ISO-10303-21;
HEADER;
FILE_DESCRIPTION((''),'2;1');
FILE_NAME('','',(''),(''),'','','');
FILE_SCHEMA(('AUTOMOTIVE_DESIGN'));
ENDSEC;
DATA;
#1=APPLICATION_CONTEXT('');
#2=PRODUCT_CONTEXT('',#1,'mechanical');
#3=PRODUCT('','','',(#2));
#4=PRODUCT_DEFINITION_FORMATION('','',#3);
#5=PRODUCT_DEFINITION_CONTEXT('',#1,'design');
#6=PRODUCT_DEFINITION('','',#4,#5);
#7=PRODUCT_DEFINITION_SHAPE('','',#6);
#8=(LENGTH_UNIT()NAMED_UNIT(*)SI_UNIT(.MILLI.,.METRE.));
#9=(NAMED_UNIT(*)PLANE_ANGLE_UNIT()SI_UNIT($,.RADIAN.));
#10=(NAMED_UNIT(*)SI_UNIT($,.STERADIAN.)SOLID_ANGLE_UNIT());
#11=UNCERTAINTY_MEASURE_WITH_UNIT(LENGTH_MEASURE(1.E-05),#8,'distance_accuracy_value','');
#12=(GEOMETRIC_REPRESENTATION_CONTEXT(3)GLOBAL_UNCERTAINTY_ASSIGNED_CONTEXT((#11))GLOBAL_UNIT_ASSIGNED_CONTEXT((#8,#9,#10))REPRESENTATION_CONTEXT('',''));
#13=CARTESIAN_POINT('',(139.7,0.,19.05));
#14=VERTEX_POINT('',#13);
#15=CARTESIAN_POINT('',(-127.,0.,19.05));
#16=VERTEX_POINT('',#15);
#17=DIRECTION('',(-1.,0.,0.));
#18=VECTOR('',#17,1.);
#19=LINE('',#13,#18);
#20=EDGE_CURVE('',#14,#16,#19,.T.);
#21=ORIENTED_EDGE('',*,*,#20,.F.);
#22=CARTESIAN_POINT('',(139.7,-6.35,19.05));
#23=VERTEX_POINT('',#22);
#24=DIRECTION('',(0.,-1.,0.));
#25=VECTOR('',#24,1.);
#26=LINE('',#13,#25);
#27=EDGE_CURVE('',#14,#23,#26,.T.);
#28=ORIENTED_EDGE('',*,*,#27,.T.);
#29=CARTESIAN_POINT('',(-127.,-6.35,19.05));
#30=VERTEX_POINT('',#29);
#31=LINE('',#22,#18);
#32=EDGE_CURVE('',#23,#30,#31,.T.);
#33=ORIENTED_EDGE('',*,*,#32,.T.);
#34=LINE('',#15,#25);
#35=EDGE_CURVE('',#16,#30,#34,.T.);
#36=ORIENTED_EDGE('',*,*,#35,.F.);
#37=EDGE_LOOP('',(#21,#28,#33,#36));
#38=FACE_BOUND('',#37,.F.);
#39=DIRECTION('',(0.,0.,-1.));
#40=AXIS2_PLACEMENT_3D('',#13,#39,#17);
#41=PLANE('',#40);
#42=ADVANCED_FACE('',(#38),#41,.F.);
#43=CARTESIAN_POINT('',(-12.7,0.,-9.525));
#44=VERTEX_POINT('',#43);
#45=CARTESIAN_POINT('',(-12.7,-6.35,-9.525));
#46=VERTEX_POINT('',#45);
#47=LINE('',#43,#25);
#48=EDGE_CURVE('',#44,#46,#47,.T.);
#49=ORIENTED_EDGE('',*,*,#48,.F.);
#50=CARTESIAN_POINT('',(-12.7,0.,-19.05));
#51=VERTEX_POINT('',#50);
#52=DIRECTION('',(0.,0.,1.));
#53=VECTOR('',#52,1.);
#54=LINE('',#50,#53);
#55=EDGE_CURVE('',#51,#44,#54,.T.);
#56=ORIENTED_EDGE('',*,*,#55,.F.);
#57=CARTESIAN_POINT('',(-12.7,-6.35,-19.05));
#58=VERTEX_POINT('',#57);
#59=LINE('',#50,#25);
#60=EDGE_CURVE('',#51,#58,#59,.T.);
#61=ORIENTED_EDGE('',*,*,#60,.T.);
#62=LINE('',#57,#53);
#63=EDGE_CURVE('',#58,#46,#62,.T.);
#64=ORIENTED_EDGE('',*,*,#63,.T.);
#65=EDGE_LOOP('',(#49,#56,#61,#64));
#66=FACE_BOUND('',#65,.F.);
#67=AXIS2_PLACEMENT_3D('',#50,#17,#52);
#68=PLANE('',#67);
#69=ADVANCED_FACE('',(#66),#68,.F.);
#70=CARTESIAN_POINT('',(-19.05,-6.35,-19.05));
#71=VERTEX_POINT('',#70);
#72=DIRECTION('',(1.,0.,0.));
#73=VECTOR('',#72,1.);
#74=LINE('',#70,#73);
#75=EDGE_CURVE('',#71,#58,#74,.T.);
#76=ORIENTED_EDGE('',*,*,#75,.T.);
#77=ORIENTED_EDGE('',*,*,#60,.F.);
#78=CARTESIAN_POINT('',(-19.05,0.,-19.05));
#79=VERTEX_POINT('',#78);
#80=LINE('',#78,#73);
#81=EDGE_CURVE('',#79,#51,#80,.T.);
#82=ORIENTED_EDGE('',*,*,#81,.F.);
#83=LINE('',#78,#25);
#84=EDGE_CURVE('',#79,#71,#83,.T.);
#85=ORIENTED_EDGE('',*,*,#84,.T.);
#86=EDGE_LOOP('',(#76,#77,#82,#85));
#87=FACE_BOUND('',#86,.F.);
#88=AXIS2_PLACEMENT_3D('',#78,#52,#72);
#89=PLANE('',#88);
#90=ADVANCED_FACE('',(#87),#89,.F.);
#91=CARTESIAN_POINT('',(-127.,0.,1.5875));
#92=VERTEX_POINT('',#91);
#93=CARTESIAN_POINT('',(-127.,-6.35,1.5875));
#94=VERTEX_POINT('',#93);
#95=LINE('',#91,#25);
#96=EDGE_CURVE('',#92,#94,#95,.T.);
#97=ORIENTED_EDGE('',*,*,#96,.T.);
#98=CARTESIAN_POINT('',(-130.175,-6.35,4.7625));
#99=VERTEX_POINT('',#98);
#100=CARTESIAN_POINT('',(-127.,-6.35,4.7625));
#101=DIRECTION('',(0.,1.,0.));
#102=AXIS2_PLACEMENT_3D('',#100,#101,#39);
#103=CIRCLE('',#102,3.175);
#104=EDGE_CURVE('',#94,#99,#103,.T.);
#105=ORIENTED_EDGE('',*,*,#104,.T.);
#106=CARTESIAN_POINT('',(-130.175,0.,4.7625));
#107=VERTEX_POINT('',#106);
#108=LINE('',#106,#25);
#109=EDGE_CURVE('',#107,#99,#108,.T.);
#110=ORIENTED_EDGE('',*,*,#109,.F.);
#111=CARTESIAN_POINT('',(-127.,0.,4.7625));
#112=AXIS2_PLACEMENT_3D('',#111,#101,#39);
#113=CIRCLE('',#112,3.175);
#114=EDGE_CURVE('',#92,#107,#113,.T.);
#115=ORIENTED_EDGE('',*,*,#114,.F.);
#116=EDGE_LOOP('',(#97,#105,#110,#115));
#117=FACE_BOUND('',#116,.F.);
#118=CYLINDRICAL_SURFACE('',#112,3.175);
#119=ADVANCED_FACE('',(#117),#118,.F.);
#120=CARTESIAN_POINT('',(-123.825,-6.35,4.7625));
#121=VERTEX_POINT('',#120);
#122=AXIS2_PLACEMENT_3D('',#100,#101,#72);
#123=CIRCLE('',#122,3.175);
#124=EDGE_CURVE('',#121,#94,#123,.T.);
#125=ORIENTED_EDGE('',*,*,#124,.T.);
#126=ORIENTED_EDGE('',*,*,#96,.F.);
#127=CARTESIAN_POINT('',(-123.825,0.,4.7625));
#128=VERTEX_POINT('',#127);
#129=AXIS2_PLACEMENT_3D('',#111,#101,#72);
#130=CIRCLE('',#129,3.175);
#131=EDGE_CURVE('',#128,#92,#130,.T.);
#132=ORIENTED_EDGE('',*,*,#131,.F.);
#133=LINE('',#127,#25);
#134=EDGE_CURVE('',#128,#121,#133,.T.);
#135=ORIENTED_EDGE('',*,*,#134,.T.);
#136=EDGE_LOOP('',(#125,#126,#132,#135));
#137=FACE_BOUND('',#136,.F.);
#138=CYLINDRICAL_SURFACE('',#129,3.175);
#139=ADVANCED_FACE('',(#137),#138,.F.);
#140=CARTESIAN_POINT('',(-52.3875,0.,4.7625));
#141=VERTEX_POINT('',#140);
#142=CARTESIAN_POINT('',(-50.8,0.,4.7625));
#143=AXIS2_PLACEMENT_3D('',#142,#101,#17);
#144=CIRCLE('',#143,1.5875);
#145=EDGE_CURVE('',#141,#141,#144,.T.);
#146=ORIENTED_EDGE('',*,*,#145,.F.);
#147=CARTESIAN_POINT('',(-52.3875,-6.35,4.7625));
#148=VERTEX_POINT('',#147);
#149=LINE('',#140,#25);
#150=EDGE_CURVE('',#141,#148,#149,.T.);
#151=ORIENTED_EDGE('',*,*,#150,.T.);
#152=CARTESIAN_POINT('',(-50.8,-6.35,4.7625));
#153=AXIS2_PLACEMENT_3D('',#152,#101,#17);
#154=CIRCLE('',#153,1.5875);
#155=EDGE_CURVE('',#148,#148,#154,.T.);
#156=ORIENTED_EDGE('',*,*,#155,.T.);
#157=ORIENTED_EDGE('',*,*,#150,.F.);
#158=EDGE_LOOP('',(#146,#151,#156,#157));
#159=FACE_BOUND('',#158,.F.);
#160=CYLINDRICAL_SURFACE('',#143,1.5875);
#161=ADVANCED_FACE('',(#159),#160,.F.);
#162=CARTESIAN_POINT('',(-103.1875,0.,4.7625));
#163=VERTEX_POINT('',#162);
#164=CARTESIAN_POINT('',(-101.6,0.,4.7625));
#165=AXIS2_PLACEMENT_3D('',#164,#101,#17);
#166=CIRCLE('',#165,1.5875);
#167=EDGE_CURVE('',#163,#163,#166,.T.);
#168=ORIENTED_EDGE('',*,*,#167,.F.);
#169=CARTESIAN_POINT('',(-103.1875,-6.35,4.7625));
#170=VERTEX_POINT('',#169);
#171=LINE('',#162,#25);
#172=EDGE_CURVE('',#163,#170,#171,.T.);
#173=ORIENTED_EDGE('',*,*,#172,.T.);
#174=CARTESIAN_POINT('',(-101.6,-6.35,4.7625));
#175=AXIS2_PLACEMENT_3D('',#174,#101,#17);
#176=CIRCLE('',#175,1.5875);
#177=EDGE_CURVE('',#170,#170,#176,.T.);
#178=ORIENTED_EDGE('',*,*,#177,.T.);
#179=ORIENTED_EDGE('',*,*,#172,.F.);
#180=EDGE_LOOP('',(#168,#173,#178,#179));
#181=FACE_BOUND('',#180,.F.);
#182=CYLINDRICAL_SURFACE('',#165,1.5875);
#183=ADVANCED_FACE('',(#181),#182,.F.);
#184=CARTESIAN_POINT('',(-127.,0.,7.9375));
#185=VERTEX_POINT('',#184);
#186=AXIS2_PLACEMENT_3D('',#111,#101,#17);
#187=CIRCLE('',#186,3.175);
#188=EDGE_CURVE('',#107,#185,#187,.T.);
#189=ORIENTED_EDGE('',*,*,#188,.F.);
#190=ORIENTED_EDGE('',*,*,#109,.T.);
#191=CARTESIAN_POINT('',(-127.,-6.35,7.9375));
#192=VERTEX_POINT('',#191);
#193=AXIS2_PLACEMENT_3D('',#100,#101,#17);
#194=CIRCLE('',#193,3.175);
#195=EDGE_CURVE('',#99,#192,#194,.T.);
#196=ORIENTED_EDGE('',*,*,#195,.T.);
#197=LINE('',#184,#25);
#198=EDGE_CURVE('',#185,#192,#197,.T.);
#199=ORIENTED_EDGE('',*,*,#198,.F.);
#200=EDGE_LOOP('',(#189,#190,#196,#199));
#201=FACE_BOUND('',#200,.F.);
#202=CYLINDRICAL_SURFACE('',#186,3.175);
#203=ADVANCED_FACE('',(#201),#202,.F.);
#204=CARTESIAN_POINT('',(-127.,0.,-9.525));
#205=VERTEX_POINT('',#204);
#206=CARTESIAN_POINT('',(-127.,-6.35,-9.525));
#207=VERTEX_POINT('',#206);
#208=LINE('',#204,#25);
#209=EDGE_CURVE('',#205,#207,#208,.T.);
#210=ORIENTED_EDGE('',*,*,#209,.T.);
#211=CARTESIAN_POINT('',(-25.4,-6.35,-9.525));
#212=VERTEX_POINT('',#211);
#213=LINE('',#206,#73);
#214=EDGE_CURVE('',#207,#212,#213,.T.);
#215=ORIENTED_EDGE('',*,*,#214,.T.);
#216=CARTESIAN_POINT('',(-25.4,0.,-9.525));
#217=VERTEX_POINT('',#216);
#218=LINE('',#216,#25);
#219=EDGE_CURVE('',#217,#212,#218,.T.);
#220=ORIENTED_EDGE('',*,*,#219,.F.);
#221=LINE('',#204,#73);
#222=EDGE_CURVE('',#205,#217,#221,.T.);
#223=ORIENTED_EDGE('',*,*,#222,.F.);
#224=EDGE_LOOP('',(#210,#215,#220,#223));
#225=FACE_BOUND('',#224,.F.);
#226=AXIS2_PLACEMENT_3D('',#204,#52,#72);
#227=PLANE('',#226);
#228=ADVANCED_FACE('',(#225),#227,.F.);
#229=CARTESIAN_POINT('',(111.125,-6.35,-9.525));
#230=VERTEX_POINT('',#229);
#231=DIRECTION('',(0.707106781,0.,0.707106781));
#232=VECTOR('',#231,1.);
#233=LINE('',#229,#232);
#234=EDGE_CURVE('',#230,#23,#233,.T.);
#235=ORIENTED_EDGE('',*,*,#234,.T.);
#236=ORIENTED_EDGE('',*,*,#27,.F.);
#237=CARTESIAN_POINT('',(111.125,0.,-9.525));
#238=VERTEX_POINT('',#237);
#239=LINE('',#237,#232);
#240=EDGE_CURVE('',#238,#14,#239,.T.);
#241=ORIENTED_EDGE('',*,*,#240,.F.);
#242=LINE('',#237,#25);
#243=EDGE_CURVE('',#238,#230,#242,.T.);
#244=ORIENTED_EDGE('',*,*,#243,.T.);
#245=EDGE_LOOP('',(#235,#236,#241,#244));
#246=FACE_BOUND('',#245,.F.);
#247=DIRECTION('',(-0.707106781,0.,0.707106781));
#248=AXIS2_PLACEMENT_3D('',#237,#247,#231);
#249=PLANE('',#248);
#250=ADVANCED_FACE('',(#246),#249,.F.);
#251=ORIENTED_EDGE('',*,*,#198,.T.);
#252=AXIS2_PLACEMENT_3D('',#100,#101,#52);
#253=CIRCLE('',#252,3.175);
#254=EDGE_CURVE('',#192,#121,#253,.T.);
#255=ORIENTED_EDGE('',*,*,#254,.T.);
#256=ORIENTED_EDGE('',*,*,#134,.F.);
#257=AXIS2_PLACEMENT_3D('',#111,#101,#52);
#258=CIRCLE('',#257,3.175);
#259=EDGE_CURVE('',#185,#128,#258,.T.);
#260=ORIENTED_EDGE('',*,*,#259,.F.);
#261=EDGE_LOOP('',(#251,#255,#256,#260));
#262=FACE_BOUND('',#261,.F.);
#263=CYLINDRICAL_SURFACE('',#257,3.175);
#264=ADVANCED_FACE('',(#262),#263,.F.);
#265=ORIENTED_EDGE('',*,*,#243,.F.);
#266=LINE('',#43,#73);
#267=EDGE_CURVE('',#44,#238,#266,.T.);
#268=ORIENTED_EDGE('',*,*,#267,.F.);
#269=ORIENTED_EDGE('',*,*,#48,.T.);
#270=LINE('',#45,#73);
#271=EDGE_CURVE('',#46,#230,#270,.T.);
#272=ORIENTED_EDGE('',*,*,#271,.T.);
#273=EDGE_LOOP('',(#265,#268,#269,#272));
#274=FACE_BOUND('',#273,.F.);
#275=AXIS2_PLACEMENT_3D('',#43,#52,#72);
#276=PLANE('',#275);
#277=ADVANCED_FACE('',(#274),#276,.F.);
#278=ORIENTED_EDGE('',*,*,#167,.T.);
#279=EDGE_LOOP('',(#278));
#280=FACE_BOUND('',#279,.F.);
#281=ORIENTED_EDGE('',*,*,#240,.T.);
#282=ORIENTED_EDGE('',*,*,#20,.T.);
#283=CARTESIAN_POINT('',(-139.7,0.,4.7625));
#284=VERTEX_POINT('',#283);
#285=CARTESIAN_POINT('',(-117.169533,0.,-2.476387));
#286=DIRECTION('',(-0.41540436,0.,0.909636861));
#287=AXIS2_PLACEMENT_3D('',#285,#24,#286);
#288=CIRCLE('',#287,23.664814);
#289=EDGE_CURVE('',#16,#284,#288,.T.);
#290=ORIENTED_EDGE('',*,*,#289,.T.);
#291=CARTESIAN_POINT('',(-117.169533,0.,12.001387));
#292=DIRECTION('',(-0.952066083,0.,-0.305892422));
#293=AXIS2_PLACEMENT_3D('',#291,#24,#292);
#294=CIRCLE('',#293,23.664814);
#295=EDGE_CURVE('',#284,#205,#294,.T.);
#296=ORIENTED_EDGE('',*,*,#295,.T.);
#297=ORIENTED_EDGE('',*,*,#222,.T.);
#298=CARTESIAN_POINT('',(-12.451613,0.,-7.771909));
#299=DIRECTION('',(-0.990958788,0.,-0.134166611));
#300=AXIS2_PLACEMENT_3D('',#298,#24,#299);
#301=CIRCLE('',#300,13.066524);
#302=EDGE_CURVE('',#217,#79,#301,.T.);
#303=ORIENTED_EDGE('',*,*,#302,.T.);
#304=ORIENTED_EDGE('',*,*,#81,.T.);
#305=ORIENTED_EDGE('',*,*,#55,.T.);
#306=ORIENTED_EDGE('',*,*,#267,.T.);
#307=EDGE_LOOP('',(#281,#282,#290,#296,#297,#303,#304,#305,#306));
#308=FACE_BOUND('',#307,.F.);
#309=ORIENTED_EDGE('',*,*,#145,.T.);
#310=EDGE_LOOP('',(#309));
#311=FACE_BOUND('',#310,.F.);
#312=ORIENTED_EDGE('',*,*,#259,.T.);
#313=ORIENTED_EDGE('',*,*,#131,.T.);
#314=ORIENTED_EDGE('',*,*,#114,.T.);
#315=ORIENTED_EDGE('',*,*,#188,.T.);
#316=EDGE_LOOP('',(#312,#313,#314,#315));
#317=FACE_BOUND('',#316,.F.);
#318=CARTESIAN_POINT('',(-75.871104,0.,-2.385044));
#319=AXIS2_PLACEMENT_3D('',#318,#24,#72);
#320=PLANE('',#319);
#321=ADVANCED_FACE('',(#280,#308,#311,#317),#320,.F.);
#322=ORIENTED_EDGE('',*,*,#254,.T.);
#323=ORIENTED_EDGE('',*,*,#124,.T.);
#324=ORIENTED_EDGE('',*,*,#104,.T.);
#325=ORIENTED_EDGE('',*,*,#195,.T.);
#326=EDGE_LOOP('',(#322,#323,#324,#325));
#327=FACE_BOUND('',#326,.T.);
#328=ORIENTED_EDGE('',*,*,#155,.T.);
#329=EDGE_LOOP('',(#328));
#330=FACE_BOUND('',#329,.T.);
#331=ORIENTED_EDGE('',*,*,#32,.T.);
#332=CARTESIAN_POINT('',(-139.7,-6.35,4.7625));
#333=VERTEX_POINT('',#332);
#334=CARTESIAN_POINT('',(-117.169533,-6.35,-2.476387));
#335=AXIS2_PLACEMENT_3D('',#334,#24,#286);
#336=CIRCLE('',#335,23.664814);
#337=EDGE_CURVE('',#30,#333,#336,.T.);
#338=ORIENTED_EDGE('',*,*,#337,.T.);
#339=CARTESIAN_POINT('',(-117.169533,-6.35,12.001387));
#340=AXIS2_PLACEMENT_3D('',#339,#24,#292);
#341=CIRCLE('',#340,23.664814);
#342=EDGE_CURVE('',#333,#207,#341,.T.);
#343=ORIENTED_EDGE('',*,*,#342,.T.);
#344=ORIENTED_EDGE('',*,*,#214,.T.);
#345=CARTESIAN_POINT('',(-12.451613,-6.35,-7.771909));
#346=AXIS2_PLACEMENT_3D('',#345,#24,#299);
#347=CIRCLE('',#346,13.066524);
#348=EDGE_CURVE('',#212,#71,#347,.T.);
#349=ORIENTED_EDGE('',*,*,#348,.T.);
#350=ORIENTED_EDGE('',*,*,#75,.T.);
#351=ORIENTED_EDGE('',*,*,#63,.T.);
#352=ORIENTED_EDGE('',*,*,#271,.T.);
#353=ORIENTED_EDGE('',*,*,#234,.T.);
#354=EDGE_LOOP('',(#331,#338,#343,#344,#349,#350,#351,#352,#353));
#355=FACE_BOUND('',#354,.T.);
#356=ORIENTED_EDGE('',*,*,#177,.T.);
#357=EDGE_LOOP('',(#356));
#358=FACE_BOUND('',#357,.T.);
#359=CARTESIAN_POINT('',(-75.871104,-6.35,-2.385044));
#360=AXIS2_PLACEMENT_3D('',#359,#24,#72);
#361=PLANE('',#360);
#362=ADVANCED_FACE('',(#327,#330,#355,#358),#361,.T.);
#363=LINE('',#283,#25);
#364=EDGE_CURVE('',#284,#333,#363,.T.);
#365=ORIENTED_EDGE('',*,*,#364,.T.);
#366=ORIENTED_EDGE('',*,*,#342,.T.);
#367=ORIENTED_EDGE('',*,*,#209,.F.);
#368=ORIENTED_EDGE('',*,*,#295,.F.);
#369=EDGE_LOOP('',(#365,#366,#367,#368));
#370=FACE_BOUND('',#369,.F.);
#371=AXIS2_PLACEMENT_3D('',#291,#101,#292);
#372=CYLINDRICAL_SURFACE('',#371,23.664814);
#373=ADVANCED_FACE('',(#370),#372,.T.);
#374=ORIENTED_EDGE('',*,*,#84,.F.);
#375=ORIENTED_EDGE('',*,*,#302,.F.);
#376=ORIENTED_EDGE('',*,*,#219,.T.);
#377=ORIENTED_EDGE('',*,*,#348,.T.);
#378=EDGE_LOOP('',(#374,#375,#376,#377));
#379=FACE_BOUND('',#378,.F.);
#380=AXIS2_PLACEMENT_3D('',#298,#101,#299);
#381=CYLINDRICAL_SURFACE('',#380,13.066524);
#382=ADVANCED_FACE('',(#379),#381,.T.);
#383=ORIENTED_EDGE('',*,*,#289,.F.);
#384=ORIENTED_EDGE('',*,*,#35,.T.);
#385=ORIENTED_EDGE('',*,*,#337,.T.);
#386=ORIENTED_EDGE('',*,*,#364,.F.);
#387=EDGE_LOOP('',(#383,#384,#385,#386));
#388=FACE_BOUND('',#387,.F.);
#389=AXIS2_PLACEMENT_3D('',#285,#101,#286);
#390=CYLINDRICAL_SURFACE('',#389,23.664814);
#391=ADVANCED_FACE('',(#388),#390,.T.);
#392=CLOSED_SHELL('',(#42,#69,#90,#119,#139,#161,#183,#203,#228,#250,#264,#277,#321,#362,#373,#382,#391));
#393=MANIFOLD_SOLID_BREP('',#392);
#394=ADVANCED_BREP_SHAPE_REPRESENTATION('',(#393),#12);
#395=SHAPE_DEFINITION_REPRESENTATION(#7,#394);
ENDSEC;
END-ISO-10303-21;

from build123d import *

# Parameters (mm, degrees)
F1_DEPTH = 6.35


with BuildPart() as f1:
    # F0 (on Front) → F1 (new body)
    with BuildSketch(Plane.XZ):
        with BuildLine():
            Line((-127, 1.5875), (-127, -9.525))
            Line((-127, -9.525), (-25.4, -9.525))
            Line((-25.4, -9.525), (-25.4, 4.7625))
            Line((-25.4, 4.7625), (-49.2125, 4.7625))
            ThreePointArc((-49.2125, 4.7625), (-50.8, 3.175), (-52.3875, 4.7625))
            Line((-52.3875, 4.7625), (-100.0125, 4.7625))
            ThreePointArc((-100.0125, 4.7625), (-101.6, 3.175), (-103.1875, 4.7625))
            Line((-103.1875, 4.7625), (-123.825, 4.7625))
            ThreePointArc((-123.825, 4.7625), (-124.7549359697, 2.5174359697), (-127, 1.5875))
        make_face()
        with BuildLine():
            Line((-25.4, 19.05), (-127, 19.05))
            Line((-127, 19.05), (-127, 7.9375))
            ThreePointArc((-127, 7.9375), (-124.7549359697, 7.0075640303), (-123.825, 4.7625))
            Line((-123.825, 4.7625), (-103.1875, 4.7625))
            ThreePointArc((-103.1875, 4.7625), (-101.6, 6.35), (-100.0125, 4.7625))
            Line((-100.0125, 4.7625), (-52.3875, 4.7625))
            ThreePointArc((-52.3875, 4.7625), (-50.8, 6.35), (-49.2125, 4.7625))
            Line((-49.2125, 4.7625), (-25.4, 4.7625))
            Line((-25.4, 4.7625), (-25.4, 19.05))
        make_face()
        with BuildLine():
            Line((-127, 7.9375), (-127, 19.05))
            ThreePointArc((-127, 19.05), (-134.856835688, 13.2456595004), (-139.7, 4.7625))
            Line((-139.7, 4.7625), (-130.175, 4.7625))
            ThreePointArc((-130.175, 4.7625), (-129.2450640303, 7.0075640303), (-127, 7.9375))
        make_face()
        with BuildLine():
            Line((-130.175, 4.7625), (-139.7, 4.7625))
            ThreePointArc((-139.7, 4.7625), (-134.856835688, -3.7206595004), (-127, -9.525))
            Line((-127, -9.525), (-127, 1.5875))
            ThreePointArc((-127, 1.5875), (-129.2450640303, 2.5174359697), (-130.175, 4.7625))
        make_face()
        Polygon((-12.7, 19.05), (-19.05, 19.05), (-19.05, -19.05), (-12.7, -19.05), (-12.7, -9.525), (-12.7, 4.7625), align=None)
        with BuildLine():
            Line((-19.05, 19.05), (-25.4, 19.05))
            Line((-25.4, 19.05), (-25.4, 4.7625))
            Line((-25.4, 4.7625), (-25.4, -9.525))
            ThreePointArc((-25.4, -9.525), (-23.3236183324, -15.0199122216), (-19.05, -19.05))
            Line((-19.05, -19.05), (-19.05, 19.05))
        make_face()
        Polygon((139.7, 19.05), (119.4944237276, 19.05), (105.2069237276, 4.7625), (-12.7, 4.7625), (-12.7, -9.525), (111.125, -9.525), align=None)
        Polygon((119.4944237276, 19.05), (-12.7, 19.05), (-12.7, 4.7625), (105.2069237276, 4.7625), align=None)
    extrude(amount=F1_DEPTH)


solid = f1.part
